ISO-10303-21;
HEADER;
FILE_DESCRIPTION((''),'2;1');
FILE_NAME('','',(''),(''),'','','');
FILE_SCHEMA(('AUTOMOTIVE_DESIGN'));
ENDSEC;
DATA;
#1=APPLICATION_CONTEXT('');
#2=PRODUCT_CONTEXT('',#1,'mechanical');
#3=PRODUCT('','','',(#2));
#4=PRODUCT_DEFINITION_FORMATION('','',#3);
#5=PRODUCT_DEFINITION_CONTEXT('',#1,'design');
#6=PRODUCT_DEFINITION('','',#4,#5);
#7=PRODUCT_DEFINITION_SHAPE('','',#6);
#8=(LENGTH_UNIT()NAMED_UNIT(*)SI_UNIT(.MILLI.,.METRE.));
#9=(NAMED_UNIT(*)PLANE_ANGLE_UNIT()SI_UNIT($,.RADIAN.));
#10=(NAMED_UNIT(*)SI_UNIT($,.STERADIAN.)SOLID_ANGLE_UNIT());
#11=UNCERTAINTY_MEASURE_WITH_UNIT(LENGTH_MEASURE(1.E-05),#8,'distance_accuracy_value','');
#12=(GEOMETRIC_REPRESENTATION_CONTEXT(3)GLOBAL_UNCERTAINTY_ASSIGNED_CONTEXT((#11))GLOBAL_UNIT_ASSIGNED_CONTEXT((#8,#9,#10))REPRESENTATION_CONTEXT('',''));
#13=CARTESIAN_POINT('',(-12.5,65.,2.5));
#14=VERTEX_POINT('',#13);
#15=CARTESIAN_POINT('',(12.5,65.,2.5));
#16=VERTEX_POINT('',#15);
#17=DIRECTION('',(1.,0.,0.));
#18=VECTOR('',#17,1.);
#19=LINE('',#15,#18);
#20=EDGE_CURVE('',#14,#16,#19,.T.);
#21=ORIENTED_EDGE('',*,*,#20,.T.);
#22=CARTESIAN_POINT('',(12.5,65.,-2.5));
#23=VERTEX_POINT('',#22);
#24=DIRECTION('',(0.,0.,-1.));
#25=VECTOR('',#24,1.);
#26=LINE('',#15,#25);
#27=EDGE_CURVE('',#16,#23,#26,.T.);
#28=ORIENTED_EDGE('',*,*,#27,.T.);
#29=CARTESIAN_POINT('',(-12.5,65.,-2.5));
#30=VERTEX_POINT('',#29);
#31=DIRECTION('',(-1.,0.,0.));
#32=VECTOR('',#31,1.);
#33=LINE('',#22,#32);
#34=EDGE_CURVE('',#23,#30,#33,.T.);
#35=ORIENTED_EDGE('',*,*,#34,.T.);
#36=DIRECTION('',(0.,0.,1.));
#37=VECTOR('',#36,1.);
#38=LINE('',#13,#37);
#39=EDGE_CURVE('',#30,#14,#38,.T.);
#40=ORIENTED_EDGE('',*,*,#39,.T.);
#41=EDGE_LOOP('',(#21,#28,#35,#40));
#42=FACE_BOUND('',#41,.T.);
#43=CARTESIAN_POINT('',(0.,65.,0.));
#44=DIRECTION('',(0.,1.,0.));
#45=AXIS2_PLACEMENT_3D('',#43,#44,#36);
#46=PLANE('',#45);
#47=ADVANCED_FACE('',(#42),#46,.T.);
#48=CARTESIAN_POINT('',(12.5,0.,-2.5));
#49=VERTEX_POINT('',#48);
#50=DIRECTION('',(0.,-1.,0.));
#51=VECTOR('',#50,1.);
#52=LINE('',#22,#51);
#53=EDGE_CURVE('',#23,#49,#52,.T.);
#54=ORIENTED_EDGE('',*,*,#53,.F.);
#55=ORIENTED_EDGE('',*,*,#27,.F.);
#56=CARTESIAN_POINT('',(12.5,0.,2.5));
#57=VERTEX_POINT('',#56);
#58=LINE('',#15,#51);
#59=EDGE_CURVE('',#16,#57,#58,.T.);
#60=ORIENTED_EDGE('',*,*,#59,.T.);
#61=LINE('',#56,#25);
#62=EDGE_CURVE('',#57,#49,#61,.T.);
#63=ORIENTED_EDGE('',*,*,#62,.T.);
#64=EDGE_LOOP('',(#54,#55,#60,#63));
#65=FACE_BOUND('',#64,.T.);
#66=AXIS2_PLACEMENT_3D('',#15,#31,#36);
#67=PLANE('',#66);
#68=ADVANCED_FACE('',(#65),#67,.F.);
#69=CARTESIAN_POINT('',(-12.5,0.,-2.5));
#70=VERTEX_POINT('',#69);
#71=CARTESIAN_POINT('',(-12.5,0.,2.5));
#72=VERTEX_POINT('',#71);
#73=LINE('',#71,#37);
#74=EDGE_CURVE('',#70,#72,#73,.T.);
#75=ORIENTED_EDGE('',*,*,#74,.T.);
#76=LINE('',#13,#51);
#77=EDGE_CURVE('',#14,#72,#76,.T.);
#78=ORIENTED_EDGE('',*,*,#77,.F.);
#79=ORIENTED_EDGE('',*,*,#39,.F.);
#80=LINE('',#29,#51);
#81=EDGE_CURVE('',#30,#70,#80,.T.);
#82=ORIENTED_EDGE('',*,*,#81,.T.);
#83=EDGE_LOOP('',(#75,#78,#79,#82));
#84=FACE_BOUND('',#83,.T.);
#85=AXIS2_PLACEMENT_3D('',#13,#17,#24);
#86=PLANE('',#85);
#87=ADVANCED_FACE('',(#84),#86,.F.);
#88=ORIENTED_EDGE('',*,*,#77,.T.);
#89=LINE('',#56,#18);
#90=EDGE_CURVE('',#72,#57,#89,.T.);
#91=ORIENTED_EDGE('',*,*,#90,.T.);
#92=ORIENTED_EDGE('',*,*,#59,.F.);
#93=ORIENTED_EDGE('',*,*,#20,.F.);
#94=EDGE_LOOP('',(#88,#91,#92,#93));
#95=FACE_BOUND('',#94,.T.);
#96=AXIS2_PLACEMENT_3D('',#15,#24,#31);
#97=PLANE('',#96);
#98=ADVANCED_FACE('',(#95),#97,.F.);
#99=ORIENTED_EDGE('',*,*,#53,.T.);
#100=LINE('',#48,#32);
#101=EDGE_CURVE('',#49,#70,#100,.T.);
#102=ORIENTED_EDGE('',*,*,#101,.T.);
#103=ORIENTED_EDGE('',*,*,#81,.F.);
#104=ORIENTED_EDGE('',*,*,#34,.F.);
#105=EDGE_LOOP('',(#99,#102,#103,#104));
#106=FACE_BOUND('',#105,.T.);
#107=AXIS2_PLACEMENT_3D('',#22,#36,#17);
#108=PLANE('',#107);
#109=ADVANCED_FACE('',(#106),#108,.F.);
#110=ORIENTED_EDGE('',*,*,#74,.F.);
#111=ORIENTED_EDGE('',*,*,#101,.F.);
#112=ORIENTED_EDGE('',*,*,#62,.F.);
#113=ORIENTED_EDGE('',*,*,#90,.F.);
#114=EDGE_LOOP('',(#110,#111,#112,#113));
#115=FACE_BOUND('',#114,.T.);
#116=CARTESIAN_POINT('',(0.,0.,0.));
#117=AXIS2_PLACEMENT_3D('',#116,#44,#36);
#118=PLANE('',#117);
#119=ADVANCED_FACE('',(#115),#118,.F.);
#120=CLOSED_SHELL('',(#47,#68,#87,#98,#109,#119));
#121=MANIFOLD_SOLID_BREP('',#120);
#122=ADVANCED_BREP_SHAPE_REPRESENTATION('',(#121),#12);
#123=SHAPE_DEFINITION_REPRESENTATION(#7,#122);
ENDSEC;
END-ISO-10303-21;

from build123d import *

# Parameters (mm, degrees)
SKETCH_1_W      = 25
SKETCH_1_H      = 5
EXTRUDE_1_DEPTH = 65


with BuildPart() as part:
    # 草图1 → 凸台-拉伸1 (new body)
    with BuildSketch(Plane(origin=(0, 0, 0), x_dir=(1, 0, 0), z_dir=(0, 1, 0))):
        Rectangle(SKETCH_1_W, SKETCH_1_H)
    extrude(amount=EXTRUDE_1_DEPTH)


solid = part.part
